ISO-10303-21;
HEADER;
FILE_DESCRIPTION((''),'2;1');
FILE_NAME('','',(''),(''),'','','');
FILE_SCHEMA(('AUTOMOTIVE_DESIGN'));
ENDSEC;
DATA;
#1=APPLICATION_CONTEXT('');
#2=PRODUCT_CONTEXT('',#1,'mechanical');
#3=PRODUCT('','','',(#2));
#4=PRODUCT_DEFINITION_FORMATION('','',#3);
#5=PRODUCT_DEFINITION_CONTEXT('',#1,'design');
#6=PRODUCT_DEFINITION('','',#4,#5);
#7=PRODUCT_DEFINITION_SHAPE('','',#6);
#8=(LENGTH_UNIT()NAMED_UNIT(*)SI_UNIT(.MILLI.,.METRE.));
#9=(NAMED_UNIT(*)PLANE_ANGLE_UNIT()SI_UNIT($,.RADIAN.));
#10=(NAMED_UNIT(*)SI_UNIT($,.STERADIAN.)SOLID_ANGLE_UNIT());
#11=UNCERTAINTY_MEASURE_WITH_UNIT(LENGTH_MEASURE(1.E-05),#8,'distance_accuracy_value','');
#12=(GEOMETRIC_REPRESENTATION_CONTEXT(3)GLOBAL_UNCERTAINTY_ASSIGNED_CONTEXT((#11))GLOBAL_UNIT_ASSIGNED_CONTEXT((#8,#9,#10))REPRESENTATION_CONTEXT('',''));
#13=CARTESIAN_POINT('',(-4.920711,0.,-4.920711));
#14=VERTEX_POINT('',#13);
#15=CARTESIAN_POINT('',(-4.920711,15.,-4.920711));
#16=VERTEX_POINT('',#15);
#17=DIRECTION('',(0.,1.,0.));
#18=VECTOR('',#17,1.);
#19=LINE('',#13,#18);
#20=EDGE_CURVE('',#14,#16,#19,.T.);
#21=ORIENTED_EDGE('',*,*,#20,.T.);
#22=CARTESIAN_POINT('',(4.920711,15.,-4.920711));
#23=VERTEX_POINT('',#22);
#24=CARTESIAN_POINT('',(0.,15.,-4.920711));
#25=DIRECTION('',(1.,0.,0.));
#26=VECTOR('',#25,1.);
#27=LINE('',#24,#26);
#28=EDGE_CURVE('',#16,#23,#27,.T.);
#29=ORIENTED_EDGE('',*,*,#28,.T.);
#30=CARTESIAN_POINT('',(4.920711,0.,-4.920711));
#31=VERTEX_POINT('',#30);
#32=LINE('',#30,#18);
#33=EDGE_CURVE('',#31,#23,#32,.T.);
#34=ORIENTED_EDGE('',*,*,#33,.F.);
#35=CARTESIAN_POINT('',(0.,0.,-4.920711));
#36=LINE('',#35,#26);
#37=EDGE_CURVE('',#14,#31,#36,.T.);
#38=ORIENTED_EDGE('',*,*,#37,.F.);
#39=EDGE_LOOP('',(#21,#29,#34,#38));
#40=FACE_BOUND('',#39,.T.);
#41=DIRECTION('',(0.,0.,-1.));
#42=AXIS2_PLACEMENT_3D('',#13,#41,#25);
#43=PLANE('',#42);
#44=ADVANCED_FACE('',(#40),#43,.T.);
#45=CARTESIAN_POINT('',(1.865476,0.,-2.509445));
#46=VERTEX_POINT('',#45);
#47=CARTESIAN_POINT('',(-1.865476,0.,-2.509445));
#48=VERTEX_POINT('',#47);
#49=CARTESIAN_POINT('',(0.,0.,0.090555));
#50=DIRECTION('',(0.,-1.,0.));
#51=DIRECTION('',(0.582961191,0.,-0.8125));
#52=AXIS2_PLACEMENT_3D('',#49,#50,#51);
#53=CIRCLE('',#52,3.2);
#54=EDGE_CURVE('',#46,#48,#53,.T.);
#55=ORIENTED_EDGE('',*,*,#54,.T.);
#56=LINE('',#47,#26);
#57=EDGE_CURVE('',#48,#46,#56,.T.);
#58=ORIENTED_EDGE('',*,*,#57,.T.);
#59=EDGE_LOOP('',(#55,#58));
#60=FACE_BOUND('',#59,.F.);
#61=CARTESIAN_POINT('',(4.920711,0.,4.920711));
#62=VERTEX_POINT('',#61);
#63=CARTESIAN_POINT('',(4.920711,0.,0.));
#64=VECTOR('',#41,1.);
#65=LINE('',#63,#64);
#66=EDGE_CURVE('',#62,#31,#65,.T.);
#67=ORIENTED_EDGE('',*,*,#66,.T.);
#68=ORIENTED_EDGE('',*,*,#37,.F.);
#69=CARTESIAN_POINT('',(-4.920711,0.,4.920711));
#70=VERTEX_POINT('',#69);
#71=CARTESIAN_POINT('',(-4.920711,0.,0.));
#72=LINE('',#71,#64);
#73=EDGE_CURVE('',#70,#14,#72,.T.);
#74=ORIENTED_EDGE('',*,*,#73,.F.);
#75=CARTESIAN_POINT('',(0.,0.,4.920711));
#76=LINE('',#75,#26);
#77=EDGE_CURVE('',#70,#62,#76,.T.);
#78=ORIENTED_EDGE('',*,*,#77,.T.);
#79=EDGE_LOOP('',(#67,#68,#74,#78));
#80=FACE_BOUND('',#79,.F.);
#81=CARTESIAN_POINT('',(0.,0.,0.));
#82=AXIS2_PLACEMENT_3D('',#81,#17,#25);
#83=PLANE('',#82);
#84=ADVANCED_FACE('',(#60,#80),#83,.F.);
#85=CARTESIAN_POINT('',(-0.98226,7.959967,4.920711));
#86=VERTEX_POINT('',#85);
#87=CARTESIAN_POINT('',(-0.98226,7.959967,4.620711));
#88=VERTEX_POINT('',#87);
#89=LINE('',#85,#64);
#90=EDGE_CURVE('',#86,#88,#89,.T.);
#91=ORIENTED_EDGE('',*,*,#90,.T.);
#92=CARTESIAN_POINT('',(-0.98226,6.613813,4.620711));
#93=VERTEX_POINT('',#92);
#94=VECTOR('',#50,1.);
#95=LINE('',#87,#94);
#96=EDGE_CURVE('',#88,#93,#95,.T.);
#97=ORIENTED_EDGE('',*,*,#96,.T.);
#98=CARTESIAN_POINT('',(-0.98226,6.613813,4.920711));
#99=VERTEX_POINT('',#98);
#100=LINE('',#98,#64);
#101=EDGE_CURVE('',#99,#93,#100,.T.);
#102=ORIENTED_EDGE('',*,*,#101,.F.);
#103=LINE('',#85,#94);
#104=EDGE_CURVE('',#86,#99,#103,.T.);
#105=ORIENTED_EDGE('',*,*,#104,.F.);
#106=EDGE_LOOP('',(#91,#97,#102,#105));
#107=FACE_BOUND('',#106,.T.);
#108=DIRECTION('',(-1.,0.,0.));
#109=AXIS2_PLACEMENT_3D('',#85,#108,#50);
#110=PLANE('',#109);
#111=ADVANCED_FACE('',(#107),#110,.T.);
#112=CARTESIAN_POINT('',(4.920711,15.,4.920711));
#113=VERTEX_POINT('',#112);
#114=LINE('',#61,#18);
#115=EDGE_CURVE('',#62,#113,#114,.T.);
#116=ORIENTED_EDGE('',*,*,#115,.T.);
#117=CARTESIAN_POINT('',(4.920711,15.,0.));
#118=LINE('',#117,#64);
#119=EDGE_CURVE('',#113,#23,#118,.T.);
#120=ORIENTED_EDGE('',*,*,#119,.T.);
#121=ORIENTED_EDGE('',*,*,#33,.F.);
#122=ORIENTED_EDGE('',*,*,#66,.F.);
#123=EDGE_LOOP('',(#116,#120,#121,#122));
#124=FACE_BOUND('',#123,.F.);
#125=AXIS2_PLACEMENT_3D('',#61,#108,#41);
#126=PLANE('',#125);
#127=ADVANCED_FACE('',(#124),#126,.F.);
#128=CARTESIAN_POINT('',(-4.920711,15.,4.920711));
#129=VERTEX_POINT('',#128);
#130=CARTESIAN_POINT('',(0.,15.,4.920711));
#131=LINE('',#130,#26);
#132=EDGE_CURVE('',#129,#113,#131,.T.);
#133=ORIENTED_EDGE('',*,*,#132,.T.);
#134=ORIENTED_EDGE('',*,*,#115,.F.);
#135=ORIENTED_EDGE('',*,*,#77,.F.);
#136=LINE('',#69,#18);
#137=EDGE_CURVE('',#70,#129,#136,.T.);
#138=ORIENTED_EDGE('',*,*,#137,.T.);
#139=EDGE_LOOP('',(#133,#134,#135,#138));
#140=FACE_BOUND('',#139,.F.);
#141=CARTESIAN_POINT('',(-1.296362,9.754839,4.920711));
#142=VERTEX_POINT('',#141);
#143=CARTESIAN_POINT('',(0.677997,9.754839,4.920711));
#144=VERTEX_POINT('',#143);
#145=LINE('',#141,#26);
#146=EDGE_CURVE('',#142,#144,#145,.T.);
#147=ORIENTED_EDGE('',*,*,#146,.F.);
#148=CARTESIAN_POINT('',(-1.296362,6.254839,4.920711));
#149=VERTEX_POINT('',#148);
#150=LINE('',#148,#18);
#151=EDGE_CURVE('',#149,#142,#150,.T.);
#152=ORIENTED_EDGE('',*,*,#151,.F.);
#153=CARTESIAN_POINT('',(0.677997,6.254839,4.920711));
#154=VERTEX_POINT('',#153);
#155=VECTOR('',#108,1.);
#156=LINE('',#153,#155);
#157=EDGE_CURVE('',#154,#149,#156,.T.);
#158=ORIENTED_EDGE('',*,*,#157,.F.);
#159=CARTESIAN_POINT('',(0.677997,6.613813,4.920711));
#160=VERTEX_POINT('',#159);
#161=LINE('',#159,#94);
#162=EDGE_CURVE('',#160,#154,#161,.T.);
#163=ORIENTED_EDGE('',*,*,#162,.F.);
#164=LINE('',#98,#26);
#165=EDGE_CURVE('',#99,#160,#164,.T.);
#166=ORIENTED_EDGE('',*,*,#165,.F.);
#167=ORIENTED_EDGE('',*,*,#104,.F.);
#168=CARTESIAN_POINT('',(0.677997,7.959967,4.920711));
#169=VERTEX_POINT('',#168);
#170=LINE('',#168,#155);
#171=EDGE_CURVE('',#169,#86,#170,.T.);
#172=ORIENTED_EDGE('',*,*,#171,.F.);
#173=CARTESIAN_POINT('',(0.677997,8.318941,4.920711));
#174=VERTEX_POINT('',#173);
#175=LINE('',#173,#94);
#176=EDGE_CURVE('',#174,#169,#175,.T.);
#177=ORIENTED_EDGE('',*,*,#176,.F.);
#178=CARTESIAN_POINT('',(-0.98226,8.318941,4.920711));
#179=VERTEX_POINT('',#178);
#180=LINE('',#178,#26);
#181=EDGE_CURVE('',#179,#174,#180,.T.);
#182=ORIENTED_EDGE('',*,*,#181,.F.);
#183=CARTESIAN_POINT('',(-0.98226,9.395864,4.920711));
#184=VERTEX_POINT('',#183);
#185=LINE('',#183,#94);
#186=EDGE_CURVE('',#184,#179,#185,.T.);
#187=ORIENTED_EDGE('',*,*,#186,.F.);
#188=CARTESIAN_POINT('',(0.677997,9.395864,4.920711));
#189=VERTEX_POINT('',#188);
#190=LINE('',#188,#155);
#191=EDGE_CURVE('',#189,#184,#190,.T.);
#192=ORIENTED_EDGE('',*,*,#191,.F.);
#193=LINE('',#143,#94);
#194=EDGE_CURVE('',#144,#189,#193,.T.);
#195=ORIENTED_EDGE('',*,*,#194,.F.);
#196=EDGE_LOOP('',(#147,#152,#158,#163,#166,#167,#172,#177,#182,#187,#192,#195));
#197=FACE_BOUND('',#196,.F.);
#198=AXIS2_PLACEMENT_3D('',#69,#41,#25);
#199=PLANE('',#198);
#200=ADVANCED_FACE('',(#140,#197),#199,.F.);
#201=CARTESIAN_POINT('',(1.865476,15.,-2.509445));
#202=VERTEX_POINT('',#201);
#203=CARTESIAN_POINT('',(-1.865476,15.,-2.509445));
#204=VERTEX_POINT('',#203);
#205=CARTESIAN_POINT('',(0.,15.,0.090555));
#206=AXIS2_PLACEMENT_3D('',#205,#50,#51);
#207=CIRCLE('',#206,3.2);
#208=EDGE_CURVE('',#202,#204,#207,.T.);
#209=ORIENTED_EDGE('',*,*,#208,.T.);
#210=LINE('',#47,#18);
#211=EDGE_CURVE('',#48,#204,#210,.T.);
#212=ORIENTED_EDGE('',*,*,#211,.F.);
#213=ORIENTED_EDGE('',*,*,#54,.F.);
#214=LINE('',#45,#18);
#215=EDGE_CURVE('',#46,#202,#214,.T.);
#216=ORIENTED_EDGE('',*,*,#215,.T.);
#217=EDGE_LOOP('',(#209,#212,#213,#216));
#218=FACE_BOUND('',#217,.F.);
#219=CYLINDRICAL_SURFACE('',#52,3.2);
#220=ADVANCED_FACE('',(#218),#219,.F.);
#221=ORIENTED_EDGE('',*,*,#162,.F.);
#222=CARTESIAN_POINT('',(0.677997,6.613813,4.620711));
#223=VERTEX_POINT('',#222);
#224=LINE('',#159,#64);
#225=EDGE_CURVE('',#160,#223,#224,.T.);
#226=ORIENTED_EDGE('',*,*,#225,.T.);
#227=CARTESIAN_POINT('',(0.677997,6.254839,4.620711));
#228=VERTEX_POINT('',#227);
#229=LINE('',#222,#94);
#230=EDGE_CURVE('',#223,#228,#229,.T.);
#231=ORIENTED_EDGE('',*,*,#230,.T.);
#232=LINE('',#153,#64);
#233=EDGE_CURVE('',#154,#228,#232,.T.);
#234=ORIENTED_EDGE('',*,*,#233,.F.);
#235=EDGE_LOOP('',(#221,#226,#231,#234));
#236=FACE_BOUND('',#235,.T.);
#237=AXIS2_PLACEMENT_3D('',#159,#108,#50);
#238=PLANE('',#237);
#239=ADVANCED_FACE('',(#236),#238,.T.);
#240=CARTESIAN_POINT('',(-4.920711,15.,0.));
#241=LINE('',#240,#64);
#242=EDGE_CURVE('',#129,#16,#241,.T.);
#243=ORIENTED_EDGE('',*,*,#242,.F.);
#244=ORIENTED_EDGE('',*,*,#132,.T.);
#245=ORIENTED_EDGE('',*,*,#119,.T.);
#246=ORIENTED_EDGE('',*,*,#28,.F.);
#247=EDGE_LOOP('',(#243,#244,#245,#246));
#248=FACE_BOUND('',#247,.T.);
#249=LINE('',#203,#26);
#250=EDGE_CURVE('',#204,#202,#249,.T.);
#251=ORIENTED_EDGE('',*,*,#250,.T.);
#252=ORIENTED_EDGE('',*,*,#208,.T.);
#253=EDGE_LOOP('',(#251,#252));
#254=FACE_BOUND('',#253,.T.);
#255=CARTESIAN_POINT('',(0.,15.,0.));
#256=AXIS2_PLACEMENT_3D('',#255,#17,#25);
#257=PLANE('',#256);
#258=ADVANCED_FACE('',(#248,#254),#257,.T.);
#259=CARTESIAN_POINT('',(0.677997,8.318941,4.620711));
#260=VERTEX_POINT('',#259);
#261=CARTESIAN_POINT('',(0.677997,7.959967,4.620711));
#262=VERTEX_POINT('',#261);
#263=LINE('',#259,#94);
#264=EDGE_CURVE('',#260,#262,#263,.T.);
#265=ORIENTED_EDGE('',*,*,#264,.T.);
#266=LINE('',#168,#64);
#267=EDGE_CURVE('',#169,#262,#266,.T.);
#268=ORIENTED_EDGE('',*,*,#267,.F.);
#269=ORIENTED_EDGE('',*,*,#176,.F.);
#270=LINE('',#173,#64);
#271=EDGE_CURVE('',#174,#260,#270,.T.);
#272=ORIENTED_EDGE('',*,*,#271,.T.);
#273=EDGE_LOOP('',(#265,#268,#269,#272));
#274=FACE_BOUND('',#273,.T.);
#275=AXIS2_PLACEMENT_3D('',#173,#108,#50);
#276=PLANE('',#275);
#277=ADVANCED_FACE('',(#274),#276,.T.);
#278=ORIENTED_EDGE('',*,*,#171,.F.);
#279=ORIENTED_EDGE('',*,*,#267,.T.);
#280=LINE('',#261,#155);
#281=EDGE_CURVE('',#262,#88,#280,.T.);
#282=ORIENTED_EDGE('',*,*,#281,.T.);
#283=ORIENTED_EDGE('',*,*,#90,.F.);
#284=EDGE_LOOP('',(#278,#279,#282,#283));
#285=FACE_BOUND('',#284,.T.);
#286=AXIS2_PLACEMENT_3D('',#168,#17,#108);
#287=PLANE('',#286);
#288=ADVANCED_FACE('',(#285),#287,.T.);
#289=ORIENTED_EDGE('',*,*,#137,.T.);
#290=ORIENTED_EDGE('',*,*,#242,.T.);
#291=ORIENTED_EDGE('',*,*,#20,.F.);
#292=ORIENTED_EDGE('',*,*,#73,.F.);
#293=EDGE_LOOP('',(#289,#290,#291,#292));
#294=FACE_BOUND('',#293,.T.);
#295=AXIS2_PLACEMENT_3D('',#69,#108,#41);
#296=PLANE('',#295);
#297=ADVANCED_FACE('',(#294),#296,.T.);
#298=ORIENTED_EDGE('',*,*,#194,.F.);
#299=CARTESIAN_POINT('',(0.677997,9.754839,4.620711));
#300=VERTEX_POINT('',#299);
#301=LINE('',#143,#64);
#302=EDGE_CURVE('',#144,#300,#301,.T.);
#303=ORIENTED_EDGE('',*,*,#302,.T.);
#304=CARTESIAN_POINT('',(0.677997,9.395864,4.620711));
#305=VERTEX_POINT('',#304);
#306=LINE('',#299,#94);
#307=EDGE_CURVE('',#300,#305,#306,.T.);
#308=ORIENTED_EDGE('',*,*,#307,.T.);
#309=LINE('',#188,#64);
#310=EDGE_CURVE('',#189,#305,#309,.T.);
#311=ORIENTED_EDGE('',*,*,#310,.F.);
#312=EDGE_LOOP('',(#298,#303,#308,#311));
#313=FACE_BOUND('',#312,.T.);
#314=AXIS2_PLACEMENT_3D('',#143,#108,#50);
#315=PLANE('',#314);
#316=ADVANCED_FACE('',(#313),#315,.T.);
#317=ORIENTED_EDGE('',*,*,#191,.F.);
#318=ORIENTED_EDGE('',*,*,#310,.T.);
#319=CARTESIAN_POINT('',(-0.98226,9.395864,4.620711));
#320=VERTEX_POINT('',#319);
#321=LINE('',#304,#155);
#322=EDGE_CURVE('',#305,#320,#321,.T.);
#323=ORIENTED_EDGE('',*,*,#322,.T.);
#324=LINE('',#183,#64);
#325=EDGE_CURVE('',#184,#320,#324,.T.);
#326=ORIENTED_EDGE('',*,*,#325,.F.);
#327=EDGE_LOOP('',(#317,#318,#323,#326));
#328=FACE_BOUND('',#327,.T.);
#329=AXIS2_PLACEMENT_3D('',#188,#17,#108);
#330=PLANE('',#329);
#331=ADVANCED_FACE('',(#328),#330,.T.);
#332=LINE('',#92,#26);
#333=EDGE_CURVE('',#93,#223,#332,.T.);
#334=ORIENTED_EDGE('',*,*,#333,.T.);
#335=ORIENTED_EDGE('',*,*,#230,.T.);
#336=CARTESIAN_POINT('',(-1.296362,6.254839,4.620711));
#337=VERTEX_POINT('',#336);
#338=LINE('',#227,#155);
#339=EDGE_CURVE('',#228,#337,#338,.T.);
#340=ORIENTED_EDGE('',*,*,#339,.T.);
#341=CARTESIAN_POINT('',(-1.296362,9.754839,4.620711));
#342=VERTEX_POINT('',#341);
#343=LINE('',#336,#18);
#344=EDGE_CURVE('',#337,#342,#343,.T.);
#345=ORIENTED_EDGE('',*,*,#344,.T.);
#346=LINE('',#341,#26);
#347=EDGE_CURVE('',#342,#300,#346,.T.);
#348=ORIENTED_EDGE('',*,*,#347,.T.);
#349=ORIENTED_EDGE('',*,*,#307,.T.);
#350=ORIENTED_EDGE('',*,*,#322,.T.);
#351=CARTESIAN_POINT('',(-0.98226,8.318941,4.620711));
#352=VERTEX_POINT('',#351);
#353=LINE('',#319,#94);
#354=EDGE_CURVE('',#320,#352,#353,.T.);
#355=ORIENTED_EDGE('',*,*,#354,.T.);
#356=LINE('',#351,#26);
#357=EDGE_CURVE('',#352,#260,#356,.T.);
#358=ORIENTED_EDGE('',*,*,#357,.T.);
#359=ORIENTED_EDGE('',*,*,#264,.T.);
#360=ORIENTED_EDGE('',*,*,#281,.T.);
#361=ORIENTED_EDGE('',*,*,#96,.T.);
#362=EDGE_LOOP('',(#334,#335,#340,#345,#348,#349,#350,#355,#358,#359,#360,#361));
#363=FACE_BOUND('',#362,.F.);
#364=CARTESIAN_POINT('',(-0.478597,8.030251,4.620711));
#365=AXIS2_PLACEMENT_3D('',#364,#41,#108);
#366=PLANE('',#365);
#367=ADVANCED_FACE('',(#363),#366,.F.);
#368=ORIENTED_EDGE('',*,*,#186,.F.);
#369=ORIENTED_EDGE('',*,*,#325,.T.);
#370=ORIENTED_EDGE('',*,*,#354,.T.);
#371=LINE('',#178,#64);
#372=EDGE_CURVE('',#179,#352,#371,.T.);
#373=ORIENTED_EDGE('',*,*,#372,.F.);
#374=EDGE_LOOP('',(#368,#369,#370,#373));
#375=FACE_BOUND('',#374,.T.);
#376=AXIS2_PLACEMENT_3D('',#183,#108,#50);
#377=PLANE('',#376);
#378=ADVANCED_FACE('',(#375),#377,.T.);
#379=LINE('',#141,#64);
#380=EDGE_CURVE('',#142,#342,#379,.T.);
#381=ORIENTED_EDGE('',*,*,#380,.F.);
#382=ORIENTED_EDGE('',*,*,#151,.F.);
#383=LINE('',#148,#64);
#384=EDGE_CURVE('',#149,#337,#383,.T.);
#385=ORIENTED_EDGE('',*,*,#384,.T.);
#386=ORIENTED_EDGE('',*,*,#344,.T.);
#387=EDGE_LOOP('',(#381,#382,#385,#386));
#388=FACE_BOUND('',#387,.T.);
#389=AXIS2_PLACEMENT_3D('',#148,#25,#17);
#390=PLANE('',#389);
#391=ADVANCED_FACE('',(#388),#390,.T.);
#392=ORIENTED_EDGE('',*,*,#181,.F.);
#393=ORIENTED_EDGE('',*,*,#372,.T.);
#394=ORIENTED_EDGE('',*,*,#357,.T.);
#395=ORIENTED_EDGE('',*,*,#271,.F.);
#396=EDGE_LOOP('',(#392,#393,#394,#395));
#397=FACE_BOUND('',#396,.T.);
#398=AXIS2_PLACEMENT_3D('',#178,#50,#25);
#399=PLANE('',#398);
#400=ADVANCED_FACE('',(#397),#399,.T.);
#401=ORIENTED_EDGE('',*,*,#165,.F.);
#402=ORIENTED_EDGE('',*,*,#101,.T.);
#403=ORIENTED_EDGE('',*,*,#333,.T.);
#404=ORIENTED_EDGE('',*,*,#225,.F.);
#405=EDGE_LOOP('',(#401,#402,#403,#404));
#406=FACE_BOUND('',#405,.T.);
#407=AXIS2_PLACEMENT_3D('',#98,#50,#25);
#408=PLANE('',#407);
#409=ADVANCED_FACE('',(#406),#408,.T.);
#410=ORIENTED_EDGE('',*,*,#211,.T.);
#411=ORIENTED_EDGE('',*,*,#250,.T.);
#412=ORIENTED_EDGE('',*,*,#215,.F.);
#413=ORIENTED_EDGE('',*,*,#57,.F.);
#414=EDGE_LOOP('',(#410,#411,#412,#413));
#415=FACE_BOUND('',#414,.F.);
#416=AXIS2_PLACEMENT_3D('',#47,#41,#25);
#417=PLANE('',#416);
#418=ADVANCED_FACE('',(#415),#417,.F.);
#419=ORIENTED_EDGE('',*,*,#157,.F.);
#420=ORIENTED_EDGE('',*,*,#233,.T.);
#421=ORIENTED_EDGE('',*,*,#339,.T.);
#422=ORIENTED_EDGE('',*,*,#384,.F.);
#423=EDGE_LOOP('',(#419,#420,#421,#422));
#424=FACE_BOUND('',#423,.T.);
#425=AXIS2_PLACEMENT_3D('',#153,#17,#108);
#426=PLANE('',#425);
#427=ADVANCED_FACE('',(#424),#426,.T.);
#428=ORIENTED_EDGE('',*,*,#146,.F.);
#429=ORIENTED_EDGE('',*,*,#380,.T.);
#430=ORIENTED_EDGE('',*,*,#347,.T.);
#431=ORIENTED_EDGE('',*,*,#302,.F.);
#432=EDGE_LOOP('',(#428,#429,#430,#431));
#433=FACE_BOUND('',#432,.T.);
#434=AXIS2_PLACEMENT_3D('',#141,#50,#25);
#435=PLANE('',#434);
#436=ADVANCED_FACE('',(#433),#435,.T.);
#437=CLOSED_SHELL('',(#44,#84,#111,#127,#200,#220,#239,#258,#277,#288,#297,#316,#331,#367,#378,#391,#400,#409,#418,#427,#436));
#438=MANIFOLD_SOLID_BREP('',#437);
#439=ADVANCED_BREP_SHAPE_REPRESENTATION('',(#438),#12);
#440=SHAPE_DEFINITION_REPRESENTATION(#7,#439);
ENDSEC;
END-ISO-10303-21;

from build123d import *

# Parameters (mm, degrees)
SKETCH1_W           = 9.84142284
SKETCH1_H           = 9.84142284
BOSS_EXTRUDE1_DEPTH = 15
CUT_EXTRUDE1_DEPTH  = 0.3


with BuildPart() as part:
    # Sketch1 → Boss-Extrude1 (new body)
    with BuildSketch(Plane(origin=(0, 0, 0), x_dir=(1, 0, 0), z_dir=(0, 1, 0))):
        Rectangle(SKETCH1_W, SKETCH1_H)
        with BuildLine():
            Line((-1.865475811, 2.509444822), (1.865475811, 2.509444822))
            ThreePointArc((1.865475811, 2.509444822), (0, -3.290555178), (-1.865475811, 2.509444822))
        make_face(mode=Mode.SUBTRACT)
    extrude(amount=BOSS_EXTRUDE1_DEPTH)

    # Sketch2 → Cut-Extrude1 (cut)
    with BuildSketch(Plane.XY.offset(4.92071142)):
        Polygon((-1.296362428, 9.754838654), (0.677996546, 9.754838654), (0.677996546, 9.395864295), (-0.982259864, 9.395864295), (-0.982259864, 8.318941219), (0.677996546, 8.318941219), (0.677996546, 7.95996686), (-0.982259864, 7.95996686), (-0.982259864, 6.613813013), (0.677996546, 6.613813013), (0.677996546, 6.254838654), (-1.296362428, 6.254838654), align=None)
    extrude(amount=-CUT_EXTRUDE1_DEPTH, mode=Mode.SUBTRACT)


solid = part.part
